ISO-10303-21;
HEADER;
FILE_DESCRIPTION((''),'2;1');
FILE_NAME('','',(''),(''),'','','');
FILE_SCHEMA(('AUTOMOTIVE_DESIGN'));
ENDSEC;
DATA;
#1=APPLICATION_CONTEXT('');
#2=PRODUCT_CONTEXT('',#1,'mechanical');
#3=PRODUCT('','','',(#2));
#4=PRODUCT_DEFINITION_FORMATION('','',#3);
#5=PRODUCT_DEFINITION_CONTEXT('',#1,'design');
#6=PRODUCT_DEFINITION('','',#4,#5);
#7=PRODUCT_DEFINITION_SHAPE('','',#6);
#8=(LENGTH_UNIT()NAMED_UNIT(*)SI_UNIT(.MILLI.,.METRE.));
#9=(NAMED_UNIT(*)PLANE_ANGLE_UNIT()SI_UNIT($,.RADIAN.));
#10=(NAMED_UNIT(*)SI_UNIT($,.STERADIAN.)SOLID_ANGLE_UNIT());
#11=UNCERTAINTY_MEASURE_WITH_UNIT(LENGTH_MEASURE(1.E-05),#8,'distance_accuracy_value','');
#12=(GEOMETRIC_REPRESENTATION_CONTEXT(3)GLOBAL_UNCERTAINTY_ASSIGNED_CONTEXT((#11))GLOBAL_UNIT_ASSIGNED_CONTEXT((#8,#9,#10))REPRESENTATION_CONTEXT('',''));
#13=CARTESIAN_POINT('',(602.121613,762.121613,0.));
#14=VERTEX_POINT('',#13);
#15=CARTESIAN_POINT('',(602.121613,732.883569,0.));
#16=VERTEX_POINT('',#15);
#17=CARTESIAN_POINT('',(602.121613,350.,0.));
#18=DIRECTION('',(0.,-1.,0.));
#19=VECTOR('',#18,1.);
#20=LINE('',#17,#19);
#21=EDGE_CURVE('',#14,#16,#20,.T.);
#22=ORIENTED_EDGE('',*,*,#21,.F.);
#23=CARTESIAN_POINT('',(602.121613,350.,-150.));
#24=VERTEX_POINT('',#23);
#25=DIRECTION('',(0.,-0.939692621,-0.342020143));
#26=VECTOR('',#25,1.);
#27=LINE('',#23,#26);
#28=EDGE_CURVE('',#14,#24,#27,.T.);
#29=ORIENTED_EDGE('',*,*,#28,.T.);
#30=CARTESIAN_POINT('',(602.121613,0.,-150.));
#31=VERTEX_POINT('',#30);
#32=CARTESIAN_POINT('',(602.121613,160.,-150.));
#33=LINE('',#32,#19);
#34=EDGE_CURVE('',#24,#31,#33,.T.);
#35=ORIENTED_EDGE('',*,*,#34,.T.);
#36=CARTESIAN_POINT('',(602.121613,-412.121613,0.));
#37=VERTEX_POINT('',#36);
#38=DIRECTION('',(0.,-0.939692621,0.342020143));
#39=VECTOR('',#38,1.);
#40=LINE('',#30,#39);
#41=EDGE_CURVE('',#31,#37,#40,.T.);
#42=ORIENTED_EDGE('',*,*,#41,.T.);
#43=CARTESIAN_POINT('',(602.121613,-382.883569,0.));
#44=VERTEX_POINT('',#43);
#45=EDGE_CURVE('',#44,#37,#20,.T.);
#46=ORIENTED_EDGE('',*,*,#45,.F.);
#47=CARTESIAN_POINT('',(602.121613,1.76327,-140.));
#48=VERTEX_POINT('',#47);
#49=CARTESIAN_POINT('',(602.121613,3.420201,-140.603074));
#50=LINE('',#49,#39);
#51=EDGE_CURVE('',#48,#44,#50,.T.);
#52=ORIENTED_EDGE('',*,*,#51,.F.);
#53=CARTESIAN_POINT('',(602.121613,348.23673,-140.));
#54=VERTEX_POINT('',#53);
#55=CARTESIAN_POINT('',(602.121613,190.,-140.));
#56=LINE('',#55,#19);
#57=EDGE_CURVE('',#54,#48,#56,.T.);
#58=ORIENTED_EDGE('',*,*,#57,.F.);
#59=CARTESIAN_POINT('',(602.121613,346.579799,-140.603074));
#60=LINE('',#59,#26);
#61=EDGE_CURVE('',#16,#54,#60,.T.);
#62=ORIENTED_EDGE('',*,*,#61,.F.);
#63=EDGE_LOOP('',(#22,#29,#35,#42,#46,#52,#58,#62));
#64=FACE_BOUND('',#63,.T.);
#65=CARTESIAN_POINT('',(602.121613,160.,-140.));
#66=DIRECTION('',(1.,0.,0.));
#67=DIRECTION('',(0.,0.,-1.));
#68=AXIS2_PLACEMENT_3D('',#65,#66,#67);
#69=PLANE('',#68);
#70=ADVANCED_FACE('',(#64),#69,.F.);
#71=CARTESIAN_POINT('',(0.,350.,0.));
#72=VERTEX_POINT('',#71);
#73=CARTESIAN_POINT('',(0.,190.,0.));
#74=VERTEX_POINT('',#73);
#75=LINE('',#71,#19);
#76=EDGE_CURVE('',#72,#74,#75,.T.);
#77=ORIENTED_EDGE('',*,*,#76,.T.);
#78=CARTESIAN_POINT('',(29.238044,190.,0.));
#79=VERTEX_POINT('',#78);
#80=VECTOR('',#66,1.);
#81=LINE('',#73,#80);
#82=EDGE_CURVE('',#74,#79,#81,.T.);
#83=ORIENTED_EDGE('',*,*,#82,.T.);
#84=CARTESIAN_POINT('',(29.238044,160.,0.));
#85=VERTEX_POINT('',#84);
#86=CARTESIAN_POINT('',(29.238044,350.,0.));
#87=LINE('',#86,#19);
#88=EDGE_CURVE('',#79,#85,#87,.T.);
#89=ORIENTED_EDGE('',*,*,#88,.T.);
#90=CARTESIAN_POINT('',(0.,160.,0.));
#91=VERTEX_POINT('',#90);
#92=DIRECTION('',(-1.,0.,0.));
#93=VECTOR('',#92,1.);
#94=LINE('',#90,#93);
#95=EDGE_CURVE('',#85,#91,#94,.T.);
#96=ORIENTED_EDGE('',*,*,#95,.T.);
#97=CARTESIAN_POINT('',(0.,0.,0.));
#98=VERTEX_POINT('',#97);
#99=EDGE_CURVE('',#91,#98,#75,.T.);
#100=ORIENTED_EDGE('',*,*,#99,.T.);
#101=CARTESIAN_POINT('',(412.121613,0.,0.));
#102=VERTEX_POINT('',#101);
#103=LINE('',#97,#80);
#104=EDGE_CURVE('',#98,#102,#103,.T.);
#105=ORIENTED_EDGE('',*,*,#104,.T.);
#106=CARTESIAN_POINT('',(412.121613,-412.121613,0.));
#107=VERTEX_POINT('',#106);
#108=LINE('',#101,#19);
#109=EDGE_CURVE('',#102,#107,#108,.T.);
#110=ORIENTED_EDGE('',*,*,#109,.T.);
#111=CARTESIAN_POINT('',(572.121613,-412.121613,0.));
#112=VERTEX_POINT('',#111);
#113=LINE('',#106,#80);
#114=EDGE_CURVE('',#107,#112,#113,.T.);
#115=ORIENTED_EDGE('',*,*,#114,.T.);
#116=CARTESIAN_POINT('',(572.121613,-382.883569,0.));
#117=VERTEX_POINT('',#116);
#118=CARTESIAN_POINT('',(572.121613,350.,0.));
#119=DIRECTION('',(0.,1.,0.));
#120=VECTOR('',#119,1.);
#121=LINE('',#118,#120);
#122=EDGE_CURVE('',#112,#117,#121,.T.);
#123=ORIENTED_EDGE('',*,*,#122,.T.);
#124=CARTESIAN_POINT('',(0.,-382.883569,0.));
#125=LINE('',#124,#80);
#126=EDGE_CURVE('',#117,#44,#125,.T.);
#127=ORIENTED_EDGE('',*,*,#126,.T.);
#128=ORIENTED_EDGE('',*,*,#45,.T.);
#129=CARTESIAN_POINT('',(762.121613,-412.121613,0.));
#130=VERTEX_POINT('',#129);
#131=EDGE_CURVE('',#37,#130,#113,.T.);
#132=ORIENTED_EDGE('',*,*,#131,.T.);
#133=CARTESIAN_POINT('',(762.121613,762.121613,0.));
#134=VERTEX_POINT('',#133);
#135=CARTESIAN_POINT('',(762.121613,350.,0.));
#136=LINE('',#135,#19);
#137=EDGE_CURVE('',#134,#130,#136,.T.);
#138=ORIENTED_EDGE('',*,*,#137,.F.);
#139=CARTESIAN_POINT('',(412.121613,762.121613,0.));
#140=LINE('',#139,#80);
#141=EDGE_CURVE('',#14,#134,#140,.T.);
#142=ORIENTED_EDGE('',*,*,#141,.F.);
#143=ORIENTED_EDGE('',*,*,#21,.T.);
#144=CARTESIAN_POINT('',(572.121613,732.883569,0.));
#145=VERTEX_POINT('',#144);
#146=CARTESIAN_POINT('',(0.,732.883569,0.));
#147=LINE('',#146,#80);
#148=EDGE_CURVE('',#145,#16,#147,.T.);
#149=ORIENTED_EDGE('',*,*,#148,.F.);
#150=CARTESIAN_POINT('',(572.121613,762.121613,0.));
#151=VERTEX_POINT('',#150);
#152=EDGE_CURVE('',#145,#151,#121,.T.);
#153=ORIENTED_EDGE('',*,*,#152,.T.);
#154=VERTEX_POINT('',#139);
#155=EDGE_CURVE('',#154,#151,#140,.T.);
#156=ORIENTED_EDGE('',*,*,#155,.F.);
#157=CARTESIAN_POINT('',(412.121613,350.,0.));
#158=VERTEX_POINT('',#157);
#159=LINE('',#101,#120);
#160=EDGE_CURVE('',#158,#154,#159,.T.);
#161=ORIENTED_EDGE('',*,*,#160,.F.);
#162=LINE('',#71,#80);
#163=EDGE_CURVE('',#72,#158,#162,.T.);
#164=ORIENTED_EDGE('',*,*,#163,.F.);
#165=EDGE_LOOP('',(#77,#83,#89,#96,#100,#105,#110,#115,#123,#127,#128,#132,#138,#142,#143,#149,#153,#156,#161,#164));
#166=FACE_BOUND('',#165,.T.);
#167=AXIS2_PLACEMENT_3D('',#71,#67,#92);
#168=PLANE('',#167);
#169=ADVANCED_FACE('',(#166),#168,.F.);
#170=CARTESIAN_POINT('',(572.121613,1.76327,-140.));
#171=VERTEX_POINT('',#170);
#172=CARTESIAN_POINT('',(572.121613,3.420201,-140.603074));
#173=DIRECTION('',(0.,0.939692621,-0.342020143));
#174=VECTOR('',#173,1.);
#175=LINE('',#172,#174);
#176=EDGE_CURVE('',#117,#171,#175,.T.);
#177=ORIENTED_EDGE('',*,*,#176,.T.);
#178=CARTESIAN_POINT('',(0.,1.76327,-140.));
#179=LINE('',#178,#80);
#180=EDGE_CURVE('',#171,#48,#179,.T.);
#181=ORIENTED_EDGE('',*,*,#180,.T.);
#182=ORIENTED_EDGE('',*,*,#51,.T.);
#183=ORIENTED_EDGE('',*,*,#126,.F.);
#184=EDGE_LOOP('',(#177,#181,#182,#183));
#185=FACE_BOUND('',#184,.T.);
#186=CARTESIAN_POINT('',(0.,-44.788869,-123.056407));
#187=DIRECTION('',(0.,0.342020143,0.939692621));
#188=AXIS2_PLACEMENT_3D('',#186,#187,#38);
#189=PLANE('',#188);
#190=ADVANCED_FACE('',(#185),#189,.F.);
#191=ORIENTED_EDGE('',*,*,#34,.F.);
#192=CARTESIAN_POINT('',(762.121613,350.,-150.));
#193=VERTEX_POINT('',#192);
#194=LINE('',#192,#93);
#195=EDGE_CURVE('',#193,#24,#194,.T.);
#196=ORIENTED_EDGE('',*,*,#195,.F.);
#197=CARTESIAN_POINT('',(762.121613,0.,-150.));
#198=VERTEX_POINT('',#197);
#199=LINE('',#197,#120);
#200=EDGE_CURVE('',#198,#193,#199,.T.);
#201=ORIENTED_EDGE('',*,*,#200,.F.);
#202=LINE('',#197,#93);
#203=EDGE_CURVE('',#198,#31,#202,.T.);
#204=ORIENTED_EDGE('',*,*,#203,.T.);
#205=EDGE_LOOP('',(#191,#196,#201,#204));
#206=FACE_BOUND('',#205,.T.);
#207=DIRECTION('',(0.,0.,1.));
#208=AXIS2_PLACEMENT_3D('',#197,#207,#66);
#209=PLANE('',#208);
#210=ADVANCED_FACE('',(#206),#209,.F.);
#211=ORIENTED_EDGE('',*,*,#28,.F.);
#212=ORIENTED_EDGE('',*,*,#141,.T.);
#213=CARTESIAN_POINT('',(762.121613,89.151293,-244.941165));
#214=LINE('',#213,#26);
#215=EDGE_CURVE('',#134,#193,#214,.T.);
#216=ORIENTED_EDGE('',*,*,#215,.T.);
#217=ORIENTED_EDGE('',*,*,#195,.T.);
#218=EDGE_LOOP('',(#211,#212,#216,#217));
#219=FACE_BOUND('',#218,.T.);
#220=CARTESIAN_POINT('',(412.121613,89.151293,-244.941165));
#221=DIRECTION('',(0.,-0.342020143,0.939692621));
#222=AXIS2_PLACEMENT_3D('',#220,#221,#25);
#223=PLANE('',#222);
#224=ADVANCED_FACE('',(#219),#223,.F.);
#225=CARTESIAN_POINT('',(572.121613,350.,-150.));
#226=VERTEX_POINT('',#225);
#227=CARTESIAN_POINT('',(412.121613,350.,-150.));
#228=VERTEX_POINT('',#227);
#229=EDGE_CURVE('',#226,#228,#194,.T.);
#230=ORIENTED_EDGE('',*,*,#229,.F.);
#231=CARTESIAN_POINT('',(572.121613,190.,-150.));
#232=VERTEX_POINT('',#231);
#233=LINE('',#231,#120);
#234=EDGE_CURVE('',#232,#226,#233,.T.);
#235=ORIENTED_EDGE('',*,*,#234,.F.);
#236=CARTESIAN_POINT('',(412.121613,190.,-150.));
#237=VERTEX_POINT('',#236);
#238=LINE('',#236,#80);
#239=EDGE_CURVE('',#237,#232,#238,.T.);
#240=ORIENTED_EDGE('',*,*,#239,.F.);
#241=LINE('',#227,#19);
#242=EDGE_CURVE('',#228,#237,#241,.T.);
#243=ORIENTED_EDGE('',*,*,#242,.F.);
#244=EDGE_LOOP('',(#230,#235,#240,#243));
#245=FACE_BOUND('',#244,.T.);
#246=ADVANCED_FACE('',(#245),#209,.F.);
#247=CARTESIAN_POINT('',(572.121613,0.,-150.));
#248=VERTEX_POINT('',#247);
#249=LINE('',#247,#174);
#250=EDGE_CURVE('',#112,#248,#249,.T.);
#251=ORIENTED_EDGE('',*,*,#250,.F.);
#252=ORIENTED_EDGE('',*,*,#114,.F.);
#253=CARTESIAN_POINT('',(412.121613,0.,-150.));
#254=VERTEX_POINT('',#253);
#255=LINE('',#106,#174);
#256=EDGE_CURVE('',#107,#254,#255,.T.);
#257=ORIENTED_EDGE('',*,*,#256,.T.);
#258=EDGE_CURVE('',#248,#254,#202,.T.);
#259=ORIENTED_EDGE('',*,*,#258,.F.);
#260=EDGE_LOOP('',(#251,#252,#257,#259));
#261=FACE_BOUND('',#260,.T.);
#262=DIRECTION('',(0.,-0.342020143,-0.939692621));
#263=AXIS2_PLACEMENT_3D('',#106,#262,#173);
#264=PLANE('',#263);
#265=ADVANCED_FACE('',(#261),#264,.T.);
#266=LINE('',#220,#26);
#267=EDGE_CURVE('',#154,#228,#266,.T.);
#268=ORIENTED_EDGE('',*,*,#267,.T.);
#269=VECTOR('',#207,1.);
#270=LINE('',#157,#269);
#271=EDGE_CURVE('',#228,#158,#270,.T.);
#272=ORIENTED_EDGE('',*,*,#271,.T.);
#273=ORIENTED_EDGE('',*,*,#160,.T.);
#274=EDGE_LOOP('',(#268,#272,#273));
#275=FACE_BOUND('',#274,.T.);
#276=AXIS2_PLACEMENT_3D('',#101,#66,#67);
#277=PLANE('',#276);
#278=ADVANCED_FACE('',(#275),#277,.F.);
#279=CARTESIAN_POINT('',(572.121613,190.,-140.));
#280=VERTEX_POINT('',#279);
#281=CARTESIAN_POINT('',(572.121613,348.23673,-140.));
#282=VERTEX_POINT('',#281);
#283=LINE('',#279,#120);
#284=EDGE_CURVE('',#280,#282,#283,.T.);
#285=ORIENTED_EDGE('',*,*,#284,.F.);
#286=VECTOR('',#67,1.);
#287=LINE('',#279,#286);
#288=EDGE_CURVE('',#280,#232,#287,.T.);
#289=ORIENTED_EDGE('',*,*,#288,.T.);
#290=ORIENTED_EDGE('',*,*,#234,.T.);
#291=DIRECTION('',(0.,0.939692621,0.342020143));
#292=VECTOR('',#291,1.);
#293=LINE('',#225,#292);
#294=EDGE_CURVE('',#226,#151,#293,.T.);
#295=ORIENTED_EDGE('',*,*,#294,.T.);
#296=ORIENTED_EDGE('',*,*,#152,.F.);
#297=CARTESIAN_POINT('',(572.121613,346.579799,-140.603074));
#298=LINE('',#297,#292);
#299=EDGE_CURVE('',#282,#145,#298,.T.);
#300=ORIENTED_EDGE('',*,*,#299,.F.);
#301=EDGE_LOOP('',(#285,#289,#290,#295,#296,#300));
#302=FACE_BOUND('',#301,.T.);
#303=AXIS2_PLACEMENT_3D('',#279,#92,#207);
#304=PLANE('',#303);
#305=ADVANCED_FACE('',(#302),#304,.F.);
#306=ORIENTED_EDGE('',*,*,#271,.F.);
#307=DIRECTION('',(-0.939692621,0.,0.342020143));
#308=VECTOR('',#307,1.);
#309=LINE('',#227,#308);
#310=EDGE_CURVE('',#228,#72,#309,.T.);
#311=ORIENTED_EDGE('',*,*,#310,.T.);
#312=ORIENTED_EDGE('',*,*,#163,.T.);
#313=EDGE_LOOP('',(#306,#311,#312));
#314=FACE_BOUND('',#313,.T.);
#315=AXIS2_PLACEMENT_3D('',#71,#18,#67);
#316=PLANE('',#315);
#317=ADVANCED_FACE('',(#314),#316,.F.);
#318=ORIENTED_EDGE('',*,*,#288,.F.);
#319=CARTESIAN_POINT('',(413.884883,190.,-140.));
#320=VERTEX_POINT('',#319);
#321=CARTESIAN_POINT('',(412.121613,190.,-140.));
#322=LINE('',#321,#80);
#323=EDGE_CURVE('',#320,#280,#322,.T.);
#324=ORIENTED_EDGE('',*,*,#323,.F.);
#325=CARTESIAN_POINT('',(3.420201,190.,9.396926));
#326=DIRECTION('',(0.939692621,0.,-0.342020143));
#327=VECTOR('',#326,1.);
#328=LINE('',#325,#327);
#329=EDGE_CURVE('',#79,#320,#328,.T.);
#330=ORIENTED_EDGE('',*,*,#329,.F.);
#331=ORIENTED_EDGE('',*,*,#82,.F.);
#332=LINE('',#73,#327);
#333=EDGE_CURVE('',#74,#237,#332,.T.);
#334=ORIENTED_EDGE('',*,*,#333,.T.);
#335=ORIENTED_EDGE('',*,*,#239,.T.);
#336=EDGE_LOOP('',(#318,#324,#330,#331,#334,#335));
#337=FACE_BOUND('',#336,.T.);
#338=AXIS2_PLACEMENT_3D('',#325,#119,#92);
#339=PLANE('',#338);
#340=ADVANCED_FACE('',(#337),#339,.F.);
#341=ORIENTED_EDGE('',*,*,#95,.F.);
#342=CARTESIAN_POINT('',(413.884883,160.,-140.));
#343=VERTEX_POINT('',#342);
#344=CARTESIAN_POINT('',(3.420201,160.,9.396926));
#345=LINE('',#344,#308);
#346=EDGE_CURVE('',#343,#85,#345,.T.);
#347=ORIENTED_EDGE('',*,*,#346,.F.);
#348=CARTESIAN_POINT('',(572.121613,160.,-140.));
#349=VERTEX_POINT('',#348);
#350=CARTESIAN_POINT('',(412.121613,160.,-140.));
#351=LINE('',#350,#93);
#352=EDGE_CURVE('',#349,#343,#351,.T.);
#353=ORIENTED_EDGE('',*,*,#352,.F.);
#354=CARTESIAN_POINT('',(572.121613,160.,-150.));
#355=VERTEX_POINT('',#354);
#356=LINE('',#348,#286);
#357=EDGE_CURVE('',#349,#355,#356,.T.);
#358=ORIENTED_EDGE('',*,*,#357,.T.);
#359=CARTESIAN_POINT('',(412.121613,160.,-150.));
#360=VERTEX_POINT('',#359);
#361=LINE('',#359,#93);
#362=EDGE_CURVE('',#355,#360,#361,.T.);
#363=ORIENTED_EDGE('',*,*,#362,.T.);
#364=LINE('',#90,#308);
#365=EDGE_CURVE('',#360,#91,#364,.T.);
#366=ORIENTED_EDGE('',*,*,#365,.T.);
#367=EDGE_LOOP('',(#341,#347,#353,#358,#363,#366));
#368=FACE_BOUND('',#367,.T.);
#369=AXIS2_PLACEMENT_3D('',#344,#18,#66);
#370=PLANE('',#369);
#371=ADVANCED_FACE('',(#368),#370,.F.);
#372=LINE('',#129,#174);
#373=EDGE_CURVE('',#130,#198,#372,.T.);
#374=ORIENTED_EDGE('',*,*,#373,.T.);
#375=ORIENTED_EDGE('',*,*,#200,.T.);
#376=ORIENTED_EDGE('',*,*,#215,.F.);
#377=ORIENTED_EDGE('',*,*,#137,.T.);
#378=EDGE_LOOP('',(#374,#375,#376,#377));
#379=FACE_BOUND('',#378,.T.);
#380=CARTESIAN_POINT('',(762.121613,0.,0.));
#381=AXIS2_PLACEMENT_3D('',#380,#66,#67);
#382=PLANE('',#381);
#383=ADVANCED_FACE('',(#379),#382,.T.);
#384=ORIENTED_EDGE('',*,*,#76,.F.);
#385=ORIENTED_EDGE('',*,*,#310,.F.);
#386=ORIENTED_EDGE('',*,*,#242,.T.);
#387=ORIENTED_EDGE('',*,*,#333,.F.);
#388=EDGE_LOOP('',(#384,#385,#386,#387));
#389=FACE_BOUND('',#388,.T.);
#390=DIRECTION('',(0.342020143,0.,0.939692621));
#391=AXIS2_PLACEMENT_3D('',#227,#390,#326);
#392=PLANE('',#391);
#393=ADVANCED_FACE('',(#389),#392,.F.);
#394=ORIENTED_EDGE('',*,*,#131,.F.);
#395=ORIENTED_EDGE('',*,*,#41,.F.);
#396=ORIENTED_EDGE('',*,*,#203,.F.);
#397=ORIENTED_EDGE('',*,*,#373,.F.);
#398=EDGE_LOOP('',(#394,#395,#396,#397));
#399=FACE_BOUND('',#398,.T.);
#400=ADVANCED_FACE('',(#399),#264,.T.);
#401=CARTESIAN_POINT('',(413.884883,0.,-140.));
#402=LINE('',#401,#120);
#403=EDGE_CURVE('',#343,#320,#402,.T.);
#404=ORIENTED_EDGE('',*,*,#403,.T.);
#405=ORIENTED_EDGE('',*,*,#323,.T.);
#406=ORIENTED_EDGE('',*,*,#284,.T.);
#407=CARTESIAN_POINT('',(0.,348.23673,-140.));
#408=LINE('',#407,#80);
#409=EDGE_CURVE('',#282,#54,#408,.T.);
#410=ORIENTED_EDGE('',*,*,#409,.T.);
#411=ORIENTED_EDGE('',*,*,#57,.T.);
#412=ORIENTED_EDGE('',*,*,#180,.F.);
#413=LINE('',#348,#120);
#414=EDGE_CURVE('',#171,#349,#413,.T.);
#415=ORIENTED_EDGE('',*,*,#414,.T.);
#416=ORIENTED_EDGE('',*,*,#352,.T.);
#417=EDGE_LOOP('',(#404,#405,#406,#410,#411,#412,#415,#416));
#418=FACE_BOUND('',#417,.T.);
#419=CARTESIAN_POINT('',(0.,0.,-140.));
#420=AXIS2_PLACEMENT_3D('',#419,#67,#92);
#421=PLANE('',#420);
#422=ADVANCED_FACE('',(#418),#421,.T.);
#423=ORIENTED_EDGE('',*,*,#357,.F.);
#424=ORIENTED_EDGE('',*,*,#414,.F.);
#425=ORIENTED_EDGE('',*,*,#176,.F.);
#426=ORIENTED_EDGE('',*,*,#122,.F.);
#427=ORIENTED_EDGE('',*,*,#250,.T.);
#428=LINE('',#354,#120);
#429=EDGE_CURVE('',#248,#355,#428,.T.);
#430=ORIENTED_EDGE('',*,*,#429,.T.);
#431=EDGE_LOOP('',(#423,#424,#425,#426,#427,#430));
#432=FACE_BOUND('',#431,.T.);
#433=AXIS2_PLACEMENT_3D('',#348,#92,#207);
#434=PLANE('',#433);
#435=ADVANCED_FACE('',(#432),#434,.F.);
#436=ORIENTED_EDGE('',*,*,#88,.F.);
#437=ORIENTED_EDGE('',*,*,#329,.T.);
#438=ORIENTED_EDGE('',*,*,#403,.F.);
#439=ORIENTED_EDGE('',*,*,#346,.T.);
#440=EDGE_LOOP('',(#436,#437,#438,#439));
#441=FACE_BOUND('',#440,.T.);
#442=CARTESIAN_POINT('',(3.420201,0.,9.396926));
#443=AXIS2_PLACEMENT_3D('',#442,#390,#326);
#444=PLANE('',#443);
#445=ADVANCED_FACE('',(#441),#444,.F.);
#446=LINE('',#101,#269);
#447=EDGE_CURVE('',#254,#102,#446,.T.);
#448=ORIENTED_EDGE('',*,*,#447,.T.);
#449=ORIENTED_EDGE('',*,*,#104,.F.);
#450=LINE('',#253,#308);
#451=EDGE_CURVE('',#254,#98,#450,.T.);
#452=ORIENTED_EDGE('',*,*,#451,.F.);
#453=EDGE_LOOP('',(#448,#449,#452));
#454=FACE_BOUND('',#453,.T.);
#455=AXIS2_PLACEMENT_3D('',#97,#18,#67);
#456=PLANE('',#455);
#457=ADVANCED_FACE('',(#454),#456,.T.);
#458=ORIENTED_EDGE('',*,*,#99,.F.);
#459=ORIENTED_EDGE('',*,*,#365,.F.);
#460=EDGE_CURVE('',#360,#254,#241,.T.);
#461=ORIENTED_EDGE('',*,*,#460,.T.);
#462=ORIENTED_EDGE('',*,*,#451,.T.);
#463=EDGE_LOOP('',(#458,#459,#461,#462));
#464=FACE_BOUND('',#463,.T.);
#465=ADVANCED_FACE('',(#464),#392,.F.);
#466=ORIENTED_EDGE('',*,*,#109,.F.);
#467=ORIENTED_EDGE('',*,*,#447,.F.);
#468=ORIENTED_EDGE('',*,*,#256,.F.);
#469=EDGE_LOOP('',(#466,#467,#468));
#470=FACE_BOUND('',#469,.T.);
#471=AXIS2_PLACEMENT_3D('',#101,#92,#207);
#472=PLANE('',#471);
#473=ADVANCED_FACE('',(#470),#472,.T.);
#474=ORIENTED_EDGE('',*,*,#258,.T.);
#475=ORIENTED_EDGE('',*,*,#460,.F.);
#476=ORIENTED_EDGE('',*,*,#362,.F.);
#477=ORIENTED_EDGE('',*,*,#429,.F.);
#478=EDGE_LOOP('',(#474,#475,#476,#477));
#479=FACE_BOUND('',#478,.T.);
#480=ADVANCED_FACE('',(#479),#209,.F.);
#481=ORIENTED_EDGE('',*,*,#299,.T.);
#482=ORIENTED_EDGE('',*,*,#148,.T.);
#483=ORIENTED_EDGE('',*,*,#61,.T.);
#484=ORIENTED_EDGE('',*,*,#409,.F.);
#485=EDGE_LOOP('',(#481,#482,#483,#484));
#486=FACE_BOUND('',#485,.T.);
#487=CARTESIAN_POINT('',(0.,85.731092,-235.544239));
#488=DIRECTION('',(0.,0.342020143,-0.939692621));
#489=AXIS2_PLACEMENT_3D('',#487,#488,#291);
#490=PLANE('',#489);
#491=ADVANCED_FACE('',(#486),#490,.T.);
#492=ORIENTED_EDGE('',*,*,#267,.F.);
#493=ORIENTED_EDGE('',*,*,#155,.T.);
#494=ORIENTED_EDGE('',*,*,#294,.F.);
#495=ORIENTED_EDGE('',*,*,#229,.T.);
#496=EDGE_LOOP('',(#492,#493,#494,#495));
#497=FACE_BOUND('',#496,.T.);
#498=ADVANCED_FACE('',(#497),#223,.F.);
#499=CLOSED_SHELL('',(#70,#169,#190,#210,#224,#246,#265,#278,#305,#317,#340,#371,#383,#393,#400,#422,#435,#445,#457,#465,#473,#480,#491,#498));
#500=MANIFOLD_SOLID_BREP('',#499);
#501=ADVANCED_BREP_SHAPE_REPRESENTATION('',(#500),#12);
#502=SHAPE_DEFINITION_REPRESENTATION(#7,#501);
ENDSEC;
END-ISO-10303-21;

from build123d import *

# Parameters (mm, degrees)
BOSS_EXTRUDE1_DEPTH = 350
SKETCH2_W           = 150
SKETCH2_H           = 350
BOSS_EXTRUDE2_DEPTH = 350
BOSS_EXTRUDE3_DEPTH = 350
BOSS_EXTRUDE4_DEPTH = 350
SKETCH6_W           = 438.570660024
SKETCH6_H           = 30
CUT_EXTRUDE1_DEPTH  = 10
CUT_EXTRUDE2_DEPTH  = 10
SKETCH8_W           = 30
SKETCH8_H           = 438.570660025
CUT_EXTRUDE3_DEPTH  = 10
SKETCH9_W           = 30
SKETCH9_H           = 438.570660025
CUT_EXTRUDE4_DEPTH  = 10


with BuildPart() as part:
    # Sketch1 → Boss-Extrude1 (new body)
    with BuildSketch(Plane(origin=(0, 0, 0), x_dir=(1, 0, 0), z_dir=(0, 1, 0))):
        Polygon((0, 0), (412.121612918, 0), (412.121612918, 150), align=None)
    extrude(amount=BOSS_EXTRUDE1_DEPTH)

    # Sketch2 → Boss-Extrude2 (add)
    with BuildSketch(Plane(origin=(412.121612918, 0, 0), x_dir=(0, 0, -1), z_dir=(1, 0, 0))):
        with Locations((75, 175)):
            Rectangle(SKETCH2_W, SKETCH2_H)
    extrude(amount=BOSS_EXTRUDE2_DEPTH)

    # Sketch4 → Boss-Extrude3 (add)
    with BuildSketch(Plane(origin=(762.121612918, 0, 0), x_dir=(0, 0, -1), z_dir=(1, 0, 0))):
        Polygon((0, 762.121612918), (150, 350), (0, 350), align=None)
    extrude(amount=-BOSS_EXTRUDE3_DEPTH)

    # Sketch5 → Boss-Extrude4 (add)
    with BuildSketch(Plane(origin=(762.121612918, 0, 0), x_dir=(0, 0, -1), z_dir=(1, 0, 0))):
        Polygon((0, 0), (0, -412.121612918), (150, 0), align=None)
    extrude(amount=-BOSS_EXTRUDE4_DEPTH)

    # Sketch6 → Cut-Extrude1 (cut)
    with BuildSketch(Plane(origin=(0, 0, 0), x_dir=(-0.9396926207859104, 0, 0.34202014332566316), z_dir=(-0.34202014332566316, 0, -0.9396926207859104))):
        with Locations((-219.285330012, 175)):
            Rectangle(SKETCH6_W, SKETCH6_H)
    extrude(amount=-CUT_EXTRUDE1_DEPTH, mode=Mode.SUBTRACT)

    # Sketch7 → Cut-Extrude2 (cut)
    with BuildSketch(Plane(origin=(0, 0, -150), x_dir=(-1, 0, 0), z_dir=(0, 0, -1))):
        Polygon((-412.121612918, 190), (-572.121612918, 190), (-572.121612918, 350), (-602.121612918, 350), (-602.121612918, 190), (-602.121612918, 164.900861359), (-602.121612918, 160), (-602.121612918, 0), (-572.121612918, 0), (-572.121612918, 160), (-412.121612918, 160), align=None)
    extrude(amount=-CUT_EXTRUDE2_DEPTH, mode=Mode.SUBTRACT)

    # Sketch8 → Cut-Extrude3 (cut)
    with BuildSketch(Plane(origin=(0, -48.209070726, -132.453333234), x_dir=(-1, 0, 0), z_dir=(0, -0.34202014332566283, -0.9396926207859106))):
        with Locations((-587.121612918, -167.982308514)):
            Rectangle(SKETCH8_W, SKETCH8_H)
    extrude(amount=-CUT_EXTRUDE3_DEPTH, mode=Mode.SUBTRACT)

    # Sketch9 → Cut-Extrude4 (cut)
    with BuildSketch(Plane(origin=(0, 89.151293181, -244.941164929), x_dir=(-1, 0, 0), z_dir=(0, 0.342020143325663, -0.9396926207859105))):
        with Locations((-587.121612918, 496.874725788)):
            Rectangle(SKETCH9_W, SKETCH9_H)
    extrude(amount=-CUT_EXTRUDE4_DEPTH, mode=Mode.SUBTRACT)


solid = part.part
